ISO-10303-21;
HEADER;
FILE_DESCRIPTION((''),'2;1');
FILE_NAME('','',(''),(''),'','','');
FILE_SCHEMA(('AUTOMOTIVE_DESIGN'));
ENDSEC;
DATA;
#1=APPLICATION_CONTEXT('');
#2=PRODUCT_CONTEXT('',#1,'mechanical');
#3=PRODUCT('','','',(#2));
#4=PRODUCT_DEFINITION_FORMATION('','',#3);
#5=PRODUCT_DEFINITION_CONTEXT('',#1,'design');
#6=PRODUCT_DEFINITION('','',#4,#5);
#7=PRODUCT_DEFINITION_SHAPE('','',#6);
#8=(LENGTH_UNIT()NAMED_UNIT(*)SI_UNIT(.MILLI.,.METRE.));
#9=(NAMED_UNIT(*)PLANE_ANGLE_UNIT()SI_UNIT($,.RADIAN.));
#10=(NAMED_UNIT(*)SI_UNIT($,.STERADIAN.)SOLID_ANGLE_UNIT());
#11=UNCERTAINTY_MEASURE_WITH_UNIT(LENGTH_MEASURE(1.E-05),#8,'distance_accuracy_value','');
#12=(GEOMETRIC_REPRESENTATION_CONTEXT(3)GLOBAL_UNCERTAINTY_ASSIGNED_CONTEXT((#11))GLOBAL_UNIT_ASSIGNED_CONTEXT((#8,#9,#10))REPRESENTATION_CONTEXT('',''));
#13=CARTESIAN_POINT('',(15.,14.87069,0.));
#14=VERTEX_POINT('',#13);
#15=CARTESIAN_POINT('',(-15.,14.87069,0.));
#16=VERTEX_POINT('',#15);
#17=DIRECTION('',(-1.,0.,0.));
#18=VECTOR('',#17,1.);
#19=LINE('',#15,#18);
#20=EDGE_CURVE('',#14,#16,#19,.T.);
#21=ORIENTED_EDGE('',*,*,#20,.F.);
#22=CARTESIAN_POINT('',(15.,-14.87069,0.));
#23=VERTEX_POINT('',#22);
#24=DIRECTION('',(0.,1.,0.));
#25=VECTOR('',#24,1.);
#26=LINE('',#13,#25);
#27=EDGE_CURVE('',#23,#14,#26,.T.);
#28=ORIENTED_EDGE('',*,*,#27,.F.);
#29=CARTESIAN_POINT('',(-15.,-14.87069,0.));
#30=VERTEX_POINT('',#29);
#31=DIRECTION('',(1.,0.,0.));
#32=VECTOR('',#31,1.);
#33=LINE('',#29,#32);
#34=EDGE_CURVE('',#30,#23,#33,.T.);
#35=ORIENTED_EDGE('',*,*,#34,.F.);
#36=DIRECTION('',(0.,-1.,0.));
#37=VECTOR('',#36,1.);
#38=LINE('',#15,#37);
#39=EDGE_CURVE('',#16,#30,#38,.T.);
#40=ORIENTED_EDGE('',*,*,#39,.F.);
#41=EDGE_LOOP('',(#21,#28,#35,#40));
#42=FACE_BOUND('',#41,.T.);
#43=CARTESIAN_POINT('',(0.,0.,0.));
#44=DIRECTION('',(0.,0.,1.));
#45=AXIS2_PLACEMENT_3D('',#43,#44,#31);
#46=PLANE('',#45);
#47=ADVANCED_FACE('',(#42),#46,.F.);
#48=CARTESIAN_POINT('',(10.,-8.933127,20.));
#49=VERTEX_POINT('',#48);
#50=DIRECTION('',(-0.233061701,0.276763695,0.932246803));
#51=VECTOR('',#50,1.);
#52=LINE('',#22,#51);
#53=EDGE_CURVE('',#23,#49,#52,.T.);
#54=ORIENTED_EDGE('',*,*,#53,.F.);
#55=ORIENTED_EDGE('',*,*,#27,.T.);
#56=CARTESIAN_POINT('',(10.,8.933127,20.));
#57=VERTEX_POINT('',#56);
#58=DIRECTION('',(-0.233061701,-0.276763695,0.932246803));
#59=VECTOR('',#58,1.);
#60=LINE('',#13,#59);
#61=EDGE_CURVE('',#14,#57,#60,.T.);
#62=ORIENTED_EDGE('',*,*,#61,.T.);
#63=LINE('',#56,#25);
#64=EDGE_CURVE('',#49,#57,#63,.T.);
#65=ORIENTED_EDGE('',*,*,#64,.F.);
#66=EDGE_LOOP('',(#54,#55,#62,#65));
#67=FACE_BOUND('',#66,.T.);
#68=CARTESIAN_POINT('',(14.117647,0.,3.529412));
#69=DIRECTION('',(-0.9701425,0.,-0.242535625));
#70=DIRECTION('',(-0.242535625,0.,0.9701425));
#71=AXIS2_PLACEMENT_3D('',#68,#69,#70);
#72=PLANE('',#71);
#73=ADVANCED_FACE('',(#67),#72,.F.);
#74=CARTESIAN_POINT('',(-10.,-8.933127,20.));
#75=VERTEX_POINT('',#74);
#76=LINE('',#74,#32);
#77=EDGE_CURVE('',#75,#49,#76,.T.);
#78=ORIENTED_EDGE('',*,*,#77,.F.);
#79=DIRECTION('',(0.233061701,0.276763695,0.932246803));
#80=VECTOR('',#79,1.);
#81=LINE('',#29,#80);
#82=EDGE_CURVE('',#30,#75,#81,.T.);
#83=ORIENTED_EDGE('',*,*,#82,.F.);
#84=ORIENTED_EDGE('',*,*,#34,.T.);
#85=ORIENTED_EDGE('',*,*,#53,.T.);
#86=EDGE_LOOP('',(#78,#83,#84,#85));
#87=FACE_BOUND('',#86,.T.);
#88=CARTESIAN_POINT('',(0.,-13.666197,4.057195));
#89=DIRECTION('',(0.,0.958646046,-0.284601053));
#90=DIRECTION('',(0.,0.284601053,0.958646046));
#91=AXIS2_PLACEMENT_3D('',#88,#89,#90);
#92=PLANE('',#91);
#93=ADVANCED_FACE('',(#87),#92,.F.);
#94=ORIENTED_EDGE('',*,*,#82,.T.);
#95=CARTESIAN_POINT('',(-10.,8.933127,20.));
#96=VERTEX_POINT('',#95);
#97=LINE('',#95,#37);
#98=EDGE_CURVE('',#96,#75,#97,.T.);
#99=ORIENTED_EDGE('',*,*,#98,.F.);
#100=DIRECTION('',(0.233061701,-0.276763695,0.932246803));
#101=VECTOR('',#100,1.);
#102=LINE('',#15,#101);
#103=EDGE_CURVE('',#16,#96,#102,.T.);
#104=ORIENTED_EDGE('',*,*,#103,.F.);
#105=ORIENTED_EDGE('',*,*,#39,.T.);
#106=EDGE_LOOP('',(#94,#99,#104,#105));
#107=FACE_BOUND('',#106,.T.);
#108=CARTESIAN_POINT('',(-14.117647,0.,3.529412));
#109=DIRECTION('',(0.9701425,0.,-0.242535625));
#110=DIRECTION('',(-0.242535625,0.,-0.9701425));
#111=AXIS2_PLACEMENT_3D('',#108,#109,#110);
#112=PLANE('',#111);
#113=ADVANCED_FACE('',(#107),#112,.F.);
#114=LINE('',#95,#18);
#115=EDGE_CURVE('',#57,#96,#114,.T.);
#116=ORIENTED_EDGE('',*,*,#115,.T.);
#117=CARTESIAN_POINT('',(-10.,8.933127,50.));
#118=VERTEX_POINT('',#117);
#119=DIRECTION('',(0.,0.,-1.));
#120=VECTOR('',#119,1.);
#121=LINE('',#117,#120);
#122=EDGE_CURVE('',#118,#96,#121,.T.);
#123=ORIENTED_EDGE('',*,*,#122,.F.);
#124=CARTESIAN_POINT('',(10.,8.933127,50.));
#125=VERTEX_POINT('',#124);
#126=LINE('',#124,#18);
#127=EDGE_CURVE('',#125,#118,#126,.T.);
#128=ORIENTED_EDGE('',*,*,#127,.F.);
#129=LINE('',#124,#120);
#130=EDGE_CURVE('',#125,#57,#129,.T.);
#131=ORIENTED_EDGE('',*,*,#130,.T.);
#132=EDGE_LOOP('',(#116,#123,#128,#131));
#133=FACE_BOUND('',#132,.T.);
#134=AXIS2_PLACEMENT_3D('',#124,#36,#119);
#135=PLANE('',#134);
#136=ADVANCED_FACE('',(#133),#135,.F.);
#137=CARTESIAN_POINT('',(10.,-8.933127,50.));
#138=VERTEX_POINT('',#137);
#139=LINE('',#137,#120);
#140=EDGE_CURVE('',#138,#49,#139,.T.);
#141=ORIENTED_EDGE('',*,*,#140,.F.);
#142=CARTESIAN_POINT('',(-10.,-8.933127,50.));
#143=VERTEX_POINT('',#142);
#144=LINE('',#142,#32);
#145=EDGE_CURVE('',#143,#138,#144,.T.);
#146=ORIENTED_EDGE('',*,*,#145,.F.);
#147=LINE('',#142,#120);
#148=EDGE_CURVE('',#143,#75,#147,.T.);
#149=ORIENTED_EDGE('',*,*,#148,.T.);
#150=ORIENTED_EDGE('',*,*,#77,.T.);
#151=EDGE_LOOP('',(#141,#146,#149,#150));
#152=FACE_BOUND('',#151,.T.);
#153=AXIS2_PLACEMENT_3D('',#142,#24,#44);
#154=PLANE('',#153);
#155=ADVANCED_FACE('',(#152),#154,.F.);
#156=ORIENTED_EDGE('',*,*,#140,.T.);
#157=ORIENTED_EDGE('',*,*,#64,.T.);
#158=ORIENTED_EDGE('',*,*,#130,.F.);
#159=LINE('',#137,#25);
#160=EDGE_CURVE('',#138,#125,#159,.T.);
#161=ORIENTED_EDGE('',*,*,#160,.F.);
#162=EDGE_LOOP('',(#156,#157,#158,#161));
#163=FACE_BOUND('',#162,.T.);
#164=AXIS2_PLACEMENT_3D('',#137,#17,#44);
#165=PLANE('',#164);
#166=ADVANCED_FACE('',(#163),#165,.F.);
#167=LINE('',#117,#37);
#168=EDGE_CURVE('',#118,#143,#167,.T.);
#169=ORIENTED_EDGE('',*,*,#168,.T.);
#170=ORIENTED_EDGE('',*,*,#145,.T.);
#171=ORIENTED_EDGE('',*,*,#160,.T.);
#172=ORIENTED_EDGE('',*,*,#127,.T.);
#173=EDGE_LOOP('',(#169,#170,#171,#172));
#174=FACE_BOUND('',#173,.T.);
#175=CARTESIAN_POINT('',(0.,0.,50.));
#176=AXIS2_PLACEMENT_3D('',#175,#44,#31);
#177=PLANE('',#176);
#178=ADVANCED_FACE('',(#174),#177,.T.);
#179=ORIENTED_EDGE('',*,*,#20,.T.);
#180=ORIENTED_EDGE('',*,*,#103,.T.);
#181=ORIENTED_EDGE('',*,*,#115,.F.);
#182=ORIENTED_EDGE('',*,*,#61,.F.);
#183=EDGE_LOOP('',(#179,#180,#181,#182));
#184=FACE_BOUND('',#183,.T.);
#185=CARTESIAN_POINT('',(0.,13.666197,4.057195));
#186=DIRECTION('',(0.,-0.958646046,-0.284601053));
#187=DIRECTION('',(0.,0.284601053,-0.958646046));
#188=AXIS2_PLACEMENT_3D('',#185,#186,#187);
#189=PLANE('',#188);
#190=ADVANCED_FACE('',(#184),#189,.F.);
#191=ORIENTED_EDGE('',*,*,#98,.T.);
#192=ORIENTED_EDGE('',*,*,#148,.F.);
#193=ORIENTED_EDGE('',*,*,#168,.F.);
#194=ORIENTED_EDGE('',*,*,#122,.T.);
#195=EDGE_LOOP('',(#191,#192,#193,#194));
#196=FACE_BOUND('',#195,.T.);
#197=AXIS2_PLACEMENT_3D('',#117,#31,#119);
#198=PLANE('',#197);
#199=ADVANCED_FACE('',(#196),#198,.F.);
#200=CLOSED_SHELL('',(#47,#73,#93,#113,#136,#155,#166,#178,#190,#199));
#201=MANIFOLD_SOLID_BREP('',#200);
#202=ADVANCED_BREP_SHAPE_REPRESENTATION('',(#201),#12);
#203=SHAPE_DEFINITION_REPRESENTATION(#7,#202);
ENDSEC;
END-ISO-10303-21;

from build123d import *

# Parameters (mm, degrees)
SKETCH3_W           = 20
SKETCH3_H           = 17.866253804
BOSS_EXTRUDE1_DEPTH = 30


with BuildPart() as part:
    # Sketch1 → Loft1 section 0
    with BuildSketch(Plane.XY):
        with BuildLine():
            Line((-15, 14.870689655), (15, 14.870689655))
            Line((15, 14.870689655), (15, -14.870689655))
            Line((15, -14.870689655), (-15, -14.870689655))
            Line((-15, -14.870689655), (-15, 14.870689655))
        make_face()
    # Sketch2 → Loft1 section 1
    with BuildSketch(Plane.XY.offset(20)):
        with BuildLine():
            Line((-10, 8.933126902), (10, 8.933126902))
            Line((10, 8.933126902), (10, -8.933126902))
            Line((10, -8.933126902), (-10, -8.933126902))
            Line((-10, -8.933126902), (-10, 8.933126902))
        make_face()
    loft()

    # Sketch3 → Boss-Extrude1 (add)
    with BuildSketch(Plane.XY.offset(20)):
        Rectangle(SKETCH3_W, SKETCH3_H)
    extrude(amount=BOSS_EXTRUDE1_DEPTH)


solid = part.part
